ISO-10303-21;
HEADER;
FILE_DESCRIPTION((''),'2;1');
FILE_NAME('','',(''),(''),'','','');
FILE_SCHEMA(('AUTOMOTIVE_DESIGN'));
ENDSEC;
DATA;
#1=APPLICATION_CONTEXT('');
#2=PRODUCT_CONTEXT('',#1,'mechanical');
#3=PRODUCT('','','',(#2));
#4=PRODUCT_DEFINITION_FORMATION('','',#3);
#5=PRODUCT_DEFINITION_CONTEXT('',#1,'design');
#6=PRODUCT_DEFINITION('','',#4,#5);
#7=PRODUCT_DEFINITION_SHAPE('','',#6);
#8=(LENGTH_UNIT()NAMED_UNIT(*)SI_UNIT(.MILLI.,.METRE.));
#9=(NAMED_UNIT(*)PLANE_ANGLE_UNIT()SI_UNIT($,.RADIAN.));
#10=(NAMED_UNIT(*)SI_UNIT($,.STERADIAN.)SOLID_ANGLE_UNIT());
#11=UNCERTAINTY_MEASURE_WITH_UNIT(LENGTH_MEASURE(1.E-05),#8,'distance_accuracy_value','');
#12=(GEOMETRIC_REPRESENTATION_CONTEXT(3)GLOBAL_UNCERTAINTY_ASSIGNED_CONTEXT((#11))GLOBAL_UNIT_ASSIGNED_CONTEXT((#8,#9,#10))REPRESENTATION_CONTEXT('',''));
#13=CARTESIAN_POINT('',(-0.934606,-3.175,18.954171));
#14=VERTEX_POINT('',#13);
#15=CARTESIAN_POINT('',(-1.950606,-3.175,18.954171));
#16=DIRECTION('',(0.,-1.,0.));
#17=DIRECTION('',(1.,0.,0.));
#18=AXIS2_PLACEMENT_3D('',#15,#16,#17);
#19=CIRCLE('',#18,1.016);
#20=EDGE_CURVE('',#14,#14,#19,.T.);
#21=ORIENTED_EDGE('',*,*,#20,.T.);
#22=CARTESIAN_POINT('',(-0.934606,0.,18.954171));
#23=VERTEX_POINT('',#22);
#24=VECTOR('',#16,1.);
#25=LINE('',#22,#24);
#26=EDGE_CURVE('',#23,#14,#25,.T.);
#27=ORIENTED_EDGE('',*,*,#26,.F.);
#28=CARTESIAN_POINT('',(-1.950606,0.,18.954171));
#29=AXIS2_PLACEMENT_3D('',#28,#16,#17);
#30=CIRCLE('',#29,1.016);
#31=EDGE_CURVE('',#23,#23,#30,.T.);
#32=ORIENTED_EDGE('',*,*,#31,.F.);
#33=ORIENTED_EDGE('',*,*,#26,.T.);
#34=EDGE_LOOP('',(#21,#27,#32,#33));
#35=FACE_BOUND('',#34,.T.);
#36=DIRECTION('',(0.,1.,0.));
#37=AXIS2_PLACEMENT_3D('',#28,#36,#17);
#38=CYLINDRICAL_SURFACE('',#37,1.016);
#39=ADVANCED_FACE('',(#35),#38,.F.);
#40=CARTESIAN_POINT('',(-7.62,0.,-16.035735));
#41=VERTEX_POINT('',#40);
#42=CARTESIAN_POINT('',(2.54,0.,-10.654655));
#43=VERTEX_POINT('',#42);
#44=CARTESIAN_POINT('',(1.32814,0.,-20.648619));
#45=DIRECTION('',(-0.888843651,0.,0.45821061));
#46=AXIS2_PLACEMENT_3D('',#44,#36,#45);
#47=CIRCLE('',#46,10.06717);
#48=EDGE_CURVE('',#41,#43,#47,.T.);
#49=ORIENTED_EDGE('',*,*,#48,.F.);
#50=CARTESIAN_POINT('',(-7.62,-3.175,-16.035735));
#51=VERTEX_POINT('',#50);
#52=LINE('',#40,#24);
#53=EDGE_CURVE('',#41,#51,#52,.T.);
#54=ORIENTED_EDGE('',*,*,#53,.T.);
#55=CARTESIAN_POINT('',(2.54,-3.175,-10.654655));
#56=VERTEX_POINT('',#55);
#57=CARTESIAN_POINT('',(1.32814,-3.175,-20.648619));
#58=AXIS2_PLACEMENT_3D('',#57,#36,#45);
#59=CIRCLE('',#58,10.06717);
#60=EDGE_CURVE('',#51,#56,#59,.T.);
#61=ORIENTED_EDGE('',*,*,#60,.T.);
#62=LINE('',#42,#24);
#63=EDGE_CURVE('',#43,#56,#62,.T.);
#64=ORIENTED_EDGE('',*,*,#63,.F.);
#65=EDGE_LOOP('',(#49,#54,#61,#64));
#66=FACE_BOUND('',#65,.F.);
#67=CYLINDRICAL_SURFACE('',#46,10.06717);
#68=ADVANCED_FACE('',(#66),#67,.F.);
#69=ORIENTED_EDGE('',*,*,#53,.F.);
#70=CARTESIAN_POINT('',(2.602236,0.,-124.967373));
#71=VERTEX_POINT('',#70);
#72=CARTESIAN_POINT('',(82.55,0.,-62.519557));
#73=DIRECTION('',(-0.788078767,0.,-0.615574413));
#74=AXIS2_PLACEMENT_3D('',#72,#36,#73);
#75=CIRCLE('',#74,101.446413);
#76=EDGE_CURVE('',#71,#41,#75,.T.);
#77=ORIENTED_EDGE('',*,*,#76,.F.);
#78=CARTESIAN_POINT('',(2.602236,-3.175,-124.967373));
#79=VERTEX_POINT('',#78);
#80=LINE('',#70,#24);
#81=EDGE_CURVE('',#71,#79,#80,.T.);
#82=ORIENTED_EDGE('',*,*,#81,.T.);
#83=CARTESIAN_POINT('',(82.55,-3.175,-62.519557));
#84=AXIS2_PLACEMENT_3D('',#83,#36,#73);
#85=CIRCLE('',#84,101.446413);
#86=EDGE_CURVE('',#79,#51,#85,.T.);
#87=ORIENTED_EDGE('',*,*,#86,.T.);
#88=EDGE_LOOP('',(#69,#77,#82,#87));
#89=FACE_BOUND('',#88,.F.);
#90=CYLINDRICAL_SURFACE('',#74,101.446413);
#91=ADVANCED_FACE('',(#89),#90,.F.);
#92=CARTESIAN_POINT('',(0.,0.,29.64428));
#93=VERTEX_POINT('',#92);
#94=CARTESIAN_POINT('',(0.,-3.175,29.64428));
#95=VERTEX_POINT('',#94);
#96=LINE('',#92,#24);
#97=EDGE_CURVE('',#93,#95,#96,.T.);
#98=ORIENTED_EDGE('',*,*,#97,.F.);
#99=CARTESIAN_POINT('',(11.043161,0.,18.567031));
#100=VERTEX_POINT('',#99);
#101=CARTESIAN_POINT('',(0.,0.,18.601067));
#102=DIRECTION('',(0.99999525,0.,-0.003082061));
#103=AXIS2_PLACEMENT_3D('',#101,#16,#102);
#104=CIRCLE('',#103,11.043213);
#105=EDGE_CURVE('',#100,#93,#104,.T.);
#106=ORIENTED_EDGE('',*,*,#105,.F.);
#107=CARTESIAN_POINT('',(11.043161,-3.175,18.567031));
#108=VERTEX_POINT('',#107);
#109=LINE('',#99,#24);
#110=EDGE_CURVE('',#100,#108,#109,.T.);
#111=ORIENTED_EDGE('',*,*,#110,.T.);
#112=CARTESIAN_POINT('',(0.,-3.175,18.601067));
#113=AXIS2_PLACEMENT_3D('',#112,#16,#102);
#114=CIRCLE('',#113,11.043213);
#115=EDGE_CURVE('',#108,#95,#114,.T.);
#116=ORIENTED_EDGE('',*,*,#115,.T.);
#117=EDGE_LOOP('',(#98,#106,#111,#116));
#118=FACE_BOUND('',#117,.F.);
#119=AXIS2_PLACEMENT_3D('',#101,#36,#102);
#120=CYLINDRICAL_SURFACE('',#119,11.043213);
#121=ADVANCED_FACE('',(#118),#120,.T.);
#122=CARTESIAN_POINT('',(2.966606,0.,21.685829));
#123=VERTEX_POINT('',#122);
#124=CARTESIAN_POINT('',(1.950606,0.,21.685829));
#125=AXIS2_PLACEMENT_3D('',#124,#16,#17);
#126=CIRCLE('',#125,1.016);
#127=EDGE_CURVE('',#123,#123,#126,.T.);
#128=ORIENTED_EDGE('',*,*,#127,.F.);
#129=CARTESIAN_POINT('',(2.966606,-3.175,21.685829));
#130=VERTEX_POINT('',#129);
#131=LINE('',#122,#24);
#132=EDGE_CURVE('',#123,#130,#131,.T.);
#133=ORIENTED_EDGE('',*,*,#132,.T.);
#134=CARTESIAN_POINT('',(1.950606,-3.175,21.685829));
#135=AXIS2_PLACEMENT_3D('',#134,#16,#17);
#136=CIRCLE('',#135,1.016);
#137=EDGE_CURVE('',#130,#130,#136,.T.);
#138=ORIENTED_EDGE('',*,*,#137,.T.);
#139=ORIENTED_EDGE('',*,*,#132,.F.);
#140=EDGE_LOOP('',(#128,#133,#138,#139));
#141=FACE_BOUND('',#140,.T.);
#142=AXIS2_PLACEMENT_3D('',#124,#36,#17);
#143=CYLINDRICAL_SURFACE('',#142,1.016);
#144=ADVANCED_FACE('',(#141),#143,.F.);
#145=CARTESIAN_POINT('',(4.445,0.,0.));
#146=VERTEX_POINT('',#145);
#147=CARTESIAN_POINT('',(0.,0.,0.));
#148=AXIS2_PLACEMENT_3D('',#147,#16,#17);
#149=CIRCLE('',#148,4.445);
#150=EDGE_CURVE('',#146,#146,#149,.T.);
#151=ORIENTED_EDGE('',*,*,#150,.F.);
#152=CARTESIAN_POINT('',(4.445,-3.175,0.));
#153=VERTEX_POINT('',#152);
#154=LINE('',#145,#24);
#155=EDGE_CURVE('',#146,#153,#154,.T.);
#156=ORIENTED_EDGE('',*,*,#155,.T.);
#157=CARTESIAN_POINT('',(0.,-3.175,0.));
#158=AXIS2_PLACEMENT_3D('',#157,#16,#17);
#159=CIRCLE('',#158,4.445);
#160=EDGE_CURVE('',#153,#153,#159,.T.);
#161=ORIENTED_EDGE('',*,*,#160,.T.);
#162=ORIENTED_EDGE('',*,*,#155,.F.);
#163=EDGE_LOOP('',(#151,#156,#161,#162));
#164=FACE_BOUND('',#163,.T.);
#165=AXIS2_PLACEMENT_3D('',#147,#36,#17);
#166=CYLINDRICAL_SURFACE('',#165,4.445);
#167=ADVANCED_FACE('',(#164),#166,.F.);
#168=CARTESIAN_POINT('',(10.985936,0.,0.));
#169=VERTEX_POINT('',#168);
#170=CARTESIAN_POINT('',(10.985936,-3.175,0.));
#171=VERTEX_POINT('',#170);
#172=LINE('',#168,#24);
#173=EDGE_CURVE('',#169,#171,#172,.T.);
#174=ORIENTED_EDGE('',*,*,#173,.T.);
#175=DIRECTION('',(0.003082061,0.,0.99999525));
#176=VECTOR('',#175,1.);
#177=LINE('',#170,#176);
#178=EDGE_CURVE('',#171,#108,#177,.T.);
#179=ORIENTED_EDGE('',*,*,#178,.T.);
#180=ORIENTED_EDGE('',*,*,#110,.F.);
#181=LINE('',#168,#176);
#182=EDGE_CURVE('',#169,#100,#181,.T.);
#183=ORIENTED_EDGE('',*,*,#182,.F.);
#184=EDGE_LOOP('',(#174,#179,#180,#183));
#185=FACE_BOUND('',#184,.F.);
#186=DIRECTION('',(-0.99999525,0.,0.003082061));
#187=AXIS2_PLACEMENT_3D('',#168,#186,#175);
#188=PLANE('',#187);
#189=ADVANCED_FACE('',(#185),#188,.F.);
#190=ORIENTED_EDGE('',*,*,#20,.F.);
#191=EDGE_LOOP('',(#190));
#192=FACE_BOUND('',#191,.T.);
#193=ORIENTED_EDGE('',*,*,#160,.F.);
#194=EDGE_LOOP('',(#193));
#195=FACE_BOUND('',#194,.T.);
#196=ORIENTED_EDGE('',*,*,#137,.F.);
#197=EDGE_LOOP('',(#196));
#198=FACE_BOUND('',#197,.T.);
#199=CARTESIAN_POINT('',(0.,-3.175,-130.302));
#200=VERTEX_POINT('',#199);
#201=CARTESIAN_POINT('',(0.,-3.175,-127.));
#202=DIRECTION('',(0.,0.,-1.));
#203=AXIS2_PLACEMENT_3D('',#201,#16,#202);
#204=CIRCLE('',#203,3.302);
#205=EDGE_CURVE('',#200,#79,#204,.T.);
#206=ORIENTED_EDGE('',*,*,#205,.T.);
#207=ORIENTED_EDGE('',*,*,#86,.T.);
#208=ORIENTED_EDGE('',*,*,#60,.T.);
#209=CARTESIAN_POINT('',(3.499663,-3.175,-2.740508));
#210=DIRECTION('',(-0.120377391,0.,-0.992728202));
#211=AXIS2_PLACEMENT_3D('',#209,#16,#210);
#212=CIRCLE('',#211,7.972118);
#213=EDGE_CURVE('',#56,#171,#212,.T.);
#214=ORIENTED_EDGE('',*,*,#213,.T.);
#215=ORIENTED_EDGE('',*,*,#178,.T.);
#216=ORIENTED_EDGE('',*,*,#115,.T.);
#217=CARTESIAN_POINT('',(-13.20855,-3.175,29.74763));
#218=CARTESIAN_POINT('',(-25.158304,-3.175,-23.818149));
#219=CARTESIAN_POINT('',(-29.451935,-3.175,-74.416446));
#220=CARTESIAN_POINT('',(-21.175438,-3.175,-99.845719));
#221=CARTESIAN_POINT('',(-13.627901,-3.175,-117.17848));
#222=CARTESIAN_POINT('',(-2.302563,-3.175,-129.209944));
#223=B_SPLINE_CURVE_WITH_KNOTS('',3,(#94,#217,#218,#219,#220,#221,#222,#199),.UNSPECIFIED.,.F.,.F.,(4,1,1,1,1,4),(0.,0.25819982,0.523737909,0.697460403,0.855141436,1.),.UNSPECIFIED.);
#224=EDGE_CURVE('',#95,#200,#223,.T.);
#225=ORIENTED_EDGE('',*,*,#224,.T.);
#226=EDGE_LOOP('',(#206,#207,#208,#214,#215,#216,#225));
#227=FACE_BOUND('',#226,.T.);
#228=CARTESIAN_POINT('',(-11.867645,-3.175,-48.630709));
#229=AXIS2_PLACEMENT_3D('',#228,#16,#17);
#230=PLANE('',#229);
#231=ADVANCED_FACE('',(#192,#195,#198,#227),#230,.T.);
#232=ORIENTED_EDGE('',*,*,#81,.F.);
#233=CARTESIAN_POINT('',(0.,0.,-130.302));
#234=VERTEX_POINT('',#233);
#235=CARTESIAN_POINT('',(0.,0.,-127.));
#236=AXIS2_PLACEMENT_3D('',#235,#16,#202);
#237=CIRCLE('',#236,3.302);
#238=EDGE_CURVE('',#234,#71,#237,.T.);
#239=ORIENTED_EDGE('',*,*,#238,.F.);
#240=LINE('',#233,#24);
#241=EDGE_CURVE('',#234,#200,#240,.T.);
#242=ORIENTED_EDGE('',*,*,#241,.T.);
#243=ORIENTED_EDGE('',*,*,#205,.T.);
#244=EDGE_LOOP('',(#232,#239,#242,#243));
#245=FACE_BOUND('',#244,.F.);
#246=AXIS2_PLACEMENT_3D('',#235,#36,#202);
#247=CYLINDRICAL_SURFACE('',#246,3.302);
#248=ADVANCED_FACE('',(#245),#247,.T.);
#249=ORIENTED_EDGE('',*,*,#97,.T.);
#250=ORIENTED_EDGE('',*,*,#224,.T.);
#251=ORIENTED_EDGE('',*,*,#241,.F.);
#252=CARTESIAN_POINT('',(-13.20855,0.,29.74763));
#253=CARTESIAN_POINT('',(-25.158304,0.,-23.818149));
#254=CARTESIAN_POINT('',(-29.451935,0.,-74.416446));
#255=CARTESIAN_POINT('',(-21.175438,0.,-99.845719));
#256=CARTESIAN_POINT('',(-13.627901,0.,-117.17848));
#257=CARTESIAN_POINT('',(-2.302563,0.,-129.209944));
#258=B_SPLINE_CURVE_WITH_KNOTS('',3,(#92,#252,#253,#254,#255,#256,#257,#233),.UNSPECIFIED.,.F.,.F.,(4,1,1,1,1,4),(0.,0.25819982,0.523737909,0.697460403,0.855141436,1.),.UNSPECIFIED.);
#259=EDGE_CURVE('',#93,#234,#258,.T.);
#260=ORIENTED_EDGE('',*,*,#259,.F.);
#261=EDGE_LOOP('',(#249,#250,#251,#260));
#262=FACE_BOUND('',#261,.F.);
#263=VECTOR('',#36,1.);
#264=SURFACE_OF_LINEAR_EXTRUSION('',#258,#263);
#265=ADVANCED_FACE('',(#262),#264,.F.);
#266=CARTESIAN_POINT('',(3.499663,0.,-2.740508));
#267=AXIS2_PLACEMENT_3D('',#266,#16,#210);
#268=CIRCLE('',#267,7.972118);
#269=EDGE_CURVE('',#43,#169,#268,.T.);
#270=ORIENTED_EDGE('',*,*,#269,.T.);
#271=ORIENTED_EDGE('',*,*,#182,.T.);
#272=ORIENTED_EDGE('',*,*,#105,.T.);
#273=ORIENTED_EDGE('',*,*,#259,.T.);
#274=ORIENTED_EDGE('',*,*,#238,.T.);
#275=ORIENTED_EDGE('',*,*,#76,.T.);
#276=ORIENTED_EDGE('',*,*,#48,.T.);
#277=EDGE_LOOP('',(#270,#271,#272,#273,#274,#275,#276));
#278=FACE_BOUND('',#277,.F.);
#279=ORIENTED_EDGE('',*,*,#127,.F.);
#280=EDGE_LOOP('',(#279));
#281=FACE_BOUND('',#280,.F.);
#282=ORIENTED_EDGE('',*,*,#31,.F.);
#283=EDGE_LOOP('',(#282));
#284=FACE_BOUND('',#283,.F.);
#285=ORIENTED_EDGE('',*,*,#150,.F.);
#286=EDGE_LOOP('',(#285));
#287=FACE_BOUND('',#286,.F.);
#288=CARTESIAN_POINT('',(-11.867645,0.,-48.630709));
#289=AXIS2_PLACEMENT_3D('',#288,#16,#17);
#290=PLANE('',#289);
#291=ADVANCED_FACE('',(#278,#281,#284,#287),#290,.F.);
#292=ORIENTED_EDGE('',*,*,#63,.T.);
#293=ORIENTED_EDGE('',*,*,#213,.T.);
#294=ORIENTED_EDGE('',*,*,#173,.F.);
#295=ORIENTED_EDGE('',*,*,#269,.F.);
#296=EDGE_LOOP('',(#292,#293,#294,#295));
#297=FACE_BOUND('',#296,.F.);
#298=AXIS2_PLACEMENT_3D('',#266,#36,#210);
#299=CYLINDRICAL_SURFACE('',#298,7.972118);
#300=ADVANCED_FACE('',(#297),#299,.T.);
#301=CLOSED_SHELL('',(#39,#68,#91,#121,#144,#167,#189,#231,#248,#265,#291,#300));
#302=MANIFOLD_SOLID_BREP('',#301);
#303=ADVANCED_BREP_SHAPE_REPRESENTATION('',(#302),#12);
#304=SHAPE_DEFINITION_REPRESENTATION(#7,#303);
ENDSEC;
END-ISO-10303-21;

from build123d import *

# Parameters (mm, degrees)
F0_R     = 4.445
F0_R_2   = 1.016
F1_DEPTH = 3.175


with BuildPart() as f1:
    # F0 (on Front) → F1 (new body)
    with BuildSketch(Plane.XZ):
        with BuildLine():
            Line((10.9859360382, 0), (11.0431610233, 18.5670308747))
            ThreePointArc((11.0431610233, 18.5670308747), (7.8207553667, 26.3977550832), (0, 29.6442802009))
            add(Edge.make_bspline(
                [(0, 29.6442802009), (-13.2085497305, 29.7476304527), (-25.1583041159, -23.8181494401), (-29.4519353818, -74.4164457422), (-21.1754381718, -99.8457187554), (-13.6279014694, -117.1784798673), (-2.3025634412, -129.2099436442), (0, -130.302)],
                knots=[0, 0, 0, 0, 0.2581998199, 0.5237379093, 0.6974604026, 0.8551414365, 1, 1, 1, 1], degree=3))
            ThreePointArc((0, -130.302), (2.9677379768, -128.4476654658), (2.6022360876, -124.9673732894))
            ThreePointArc((2.6022360876, -124.9673732894), (-18.4526676867, -71.9977321023), (-7.62, -16.0357345395))
            ThreePointArc((-7.62, -16.0357345395), (-3.3837079244, -11.7521923839), (2.54, -10.6546549701))
            ThreePointArc((2.54, -10.6546549701), (9.74702858, -7.6927897832), (10.9859360382, 0))
        make_face()
        Circle(F0_R, mode=Mode.SUBTRACT)
        with Locations((-1.9506058055, 18.9541711109)):
            Circle(F0_R_2, mode=Mode.SUBTRACT)
        with Locations((1.9506058055, 21.6858288891)):
            Circle(F0_R_2, mode=Mode.SUBTRACT)
    extrude(amount=F1_DEPTH)


solid = f1.part
